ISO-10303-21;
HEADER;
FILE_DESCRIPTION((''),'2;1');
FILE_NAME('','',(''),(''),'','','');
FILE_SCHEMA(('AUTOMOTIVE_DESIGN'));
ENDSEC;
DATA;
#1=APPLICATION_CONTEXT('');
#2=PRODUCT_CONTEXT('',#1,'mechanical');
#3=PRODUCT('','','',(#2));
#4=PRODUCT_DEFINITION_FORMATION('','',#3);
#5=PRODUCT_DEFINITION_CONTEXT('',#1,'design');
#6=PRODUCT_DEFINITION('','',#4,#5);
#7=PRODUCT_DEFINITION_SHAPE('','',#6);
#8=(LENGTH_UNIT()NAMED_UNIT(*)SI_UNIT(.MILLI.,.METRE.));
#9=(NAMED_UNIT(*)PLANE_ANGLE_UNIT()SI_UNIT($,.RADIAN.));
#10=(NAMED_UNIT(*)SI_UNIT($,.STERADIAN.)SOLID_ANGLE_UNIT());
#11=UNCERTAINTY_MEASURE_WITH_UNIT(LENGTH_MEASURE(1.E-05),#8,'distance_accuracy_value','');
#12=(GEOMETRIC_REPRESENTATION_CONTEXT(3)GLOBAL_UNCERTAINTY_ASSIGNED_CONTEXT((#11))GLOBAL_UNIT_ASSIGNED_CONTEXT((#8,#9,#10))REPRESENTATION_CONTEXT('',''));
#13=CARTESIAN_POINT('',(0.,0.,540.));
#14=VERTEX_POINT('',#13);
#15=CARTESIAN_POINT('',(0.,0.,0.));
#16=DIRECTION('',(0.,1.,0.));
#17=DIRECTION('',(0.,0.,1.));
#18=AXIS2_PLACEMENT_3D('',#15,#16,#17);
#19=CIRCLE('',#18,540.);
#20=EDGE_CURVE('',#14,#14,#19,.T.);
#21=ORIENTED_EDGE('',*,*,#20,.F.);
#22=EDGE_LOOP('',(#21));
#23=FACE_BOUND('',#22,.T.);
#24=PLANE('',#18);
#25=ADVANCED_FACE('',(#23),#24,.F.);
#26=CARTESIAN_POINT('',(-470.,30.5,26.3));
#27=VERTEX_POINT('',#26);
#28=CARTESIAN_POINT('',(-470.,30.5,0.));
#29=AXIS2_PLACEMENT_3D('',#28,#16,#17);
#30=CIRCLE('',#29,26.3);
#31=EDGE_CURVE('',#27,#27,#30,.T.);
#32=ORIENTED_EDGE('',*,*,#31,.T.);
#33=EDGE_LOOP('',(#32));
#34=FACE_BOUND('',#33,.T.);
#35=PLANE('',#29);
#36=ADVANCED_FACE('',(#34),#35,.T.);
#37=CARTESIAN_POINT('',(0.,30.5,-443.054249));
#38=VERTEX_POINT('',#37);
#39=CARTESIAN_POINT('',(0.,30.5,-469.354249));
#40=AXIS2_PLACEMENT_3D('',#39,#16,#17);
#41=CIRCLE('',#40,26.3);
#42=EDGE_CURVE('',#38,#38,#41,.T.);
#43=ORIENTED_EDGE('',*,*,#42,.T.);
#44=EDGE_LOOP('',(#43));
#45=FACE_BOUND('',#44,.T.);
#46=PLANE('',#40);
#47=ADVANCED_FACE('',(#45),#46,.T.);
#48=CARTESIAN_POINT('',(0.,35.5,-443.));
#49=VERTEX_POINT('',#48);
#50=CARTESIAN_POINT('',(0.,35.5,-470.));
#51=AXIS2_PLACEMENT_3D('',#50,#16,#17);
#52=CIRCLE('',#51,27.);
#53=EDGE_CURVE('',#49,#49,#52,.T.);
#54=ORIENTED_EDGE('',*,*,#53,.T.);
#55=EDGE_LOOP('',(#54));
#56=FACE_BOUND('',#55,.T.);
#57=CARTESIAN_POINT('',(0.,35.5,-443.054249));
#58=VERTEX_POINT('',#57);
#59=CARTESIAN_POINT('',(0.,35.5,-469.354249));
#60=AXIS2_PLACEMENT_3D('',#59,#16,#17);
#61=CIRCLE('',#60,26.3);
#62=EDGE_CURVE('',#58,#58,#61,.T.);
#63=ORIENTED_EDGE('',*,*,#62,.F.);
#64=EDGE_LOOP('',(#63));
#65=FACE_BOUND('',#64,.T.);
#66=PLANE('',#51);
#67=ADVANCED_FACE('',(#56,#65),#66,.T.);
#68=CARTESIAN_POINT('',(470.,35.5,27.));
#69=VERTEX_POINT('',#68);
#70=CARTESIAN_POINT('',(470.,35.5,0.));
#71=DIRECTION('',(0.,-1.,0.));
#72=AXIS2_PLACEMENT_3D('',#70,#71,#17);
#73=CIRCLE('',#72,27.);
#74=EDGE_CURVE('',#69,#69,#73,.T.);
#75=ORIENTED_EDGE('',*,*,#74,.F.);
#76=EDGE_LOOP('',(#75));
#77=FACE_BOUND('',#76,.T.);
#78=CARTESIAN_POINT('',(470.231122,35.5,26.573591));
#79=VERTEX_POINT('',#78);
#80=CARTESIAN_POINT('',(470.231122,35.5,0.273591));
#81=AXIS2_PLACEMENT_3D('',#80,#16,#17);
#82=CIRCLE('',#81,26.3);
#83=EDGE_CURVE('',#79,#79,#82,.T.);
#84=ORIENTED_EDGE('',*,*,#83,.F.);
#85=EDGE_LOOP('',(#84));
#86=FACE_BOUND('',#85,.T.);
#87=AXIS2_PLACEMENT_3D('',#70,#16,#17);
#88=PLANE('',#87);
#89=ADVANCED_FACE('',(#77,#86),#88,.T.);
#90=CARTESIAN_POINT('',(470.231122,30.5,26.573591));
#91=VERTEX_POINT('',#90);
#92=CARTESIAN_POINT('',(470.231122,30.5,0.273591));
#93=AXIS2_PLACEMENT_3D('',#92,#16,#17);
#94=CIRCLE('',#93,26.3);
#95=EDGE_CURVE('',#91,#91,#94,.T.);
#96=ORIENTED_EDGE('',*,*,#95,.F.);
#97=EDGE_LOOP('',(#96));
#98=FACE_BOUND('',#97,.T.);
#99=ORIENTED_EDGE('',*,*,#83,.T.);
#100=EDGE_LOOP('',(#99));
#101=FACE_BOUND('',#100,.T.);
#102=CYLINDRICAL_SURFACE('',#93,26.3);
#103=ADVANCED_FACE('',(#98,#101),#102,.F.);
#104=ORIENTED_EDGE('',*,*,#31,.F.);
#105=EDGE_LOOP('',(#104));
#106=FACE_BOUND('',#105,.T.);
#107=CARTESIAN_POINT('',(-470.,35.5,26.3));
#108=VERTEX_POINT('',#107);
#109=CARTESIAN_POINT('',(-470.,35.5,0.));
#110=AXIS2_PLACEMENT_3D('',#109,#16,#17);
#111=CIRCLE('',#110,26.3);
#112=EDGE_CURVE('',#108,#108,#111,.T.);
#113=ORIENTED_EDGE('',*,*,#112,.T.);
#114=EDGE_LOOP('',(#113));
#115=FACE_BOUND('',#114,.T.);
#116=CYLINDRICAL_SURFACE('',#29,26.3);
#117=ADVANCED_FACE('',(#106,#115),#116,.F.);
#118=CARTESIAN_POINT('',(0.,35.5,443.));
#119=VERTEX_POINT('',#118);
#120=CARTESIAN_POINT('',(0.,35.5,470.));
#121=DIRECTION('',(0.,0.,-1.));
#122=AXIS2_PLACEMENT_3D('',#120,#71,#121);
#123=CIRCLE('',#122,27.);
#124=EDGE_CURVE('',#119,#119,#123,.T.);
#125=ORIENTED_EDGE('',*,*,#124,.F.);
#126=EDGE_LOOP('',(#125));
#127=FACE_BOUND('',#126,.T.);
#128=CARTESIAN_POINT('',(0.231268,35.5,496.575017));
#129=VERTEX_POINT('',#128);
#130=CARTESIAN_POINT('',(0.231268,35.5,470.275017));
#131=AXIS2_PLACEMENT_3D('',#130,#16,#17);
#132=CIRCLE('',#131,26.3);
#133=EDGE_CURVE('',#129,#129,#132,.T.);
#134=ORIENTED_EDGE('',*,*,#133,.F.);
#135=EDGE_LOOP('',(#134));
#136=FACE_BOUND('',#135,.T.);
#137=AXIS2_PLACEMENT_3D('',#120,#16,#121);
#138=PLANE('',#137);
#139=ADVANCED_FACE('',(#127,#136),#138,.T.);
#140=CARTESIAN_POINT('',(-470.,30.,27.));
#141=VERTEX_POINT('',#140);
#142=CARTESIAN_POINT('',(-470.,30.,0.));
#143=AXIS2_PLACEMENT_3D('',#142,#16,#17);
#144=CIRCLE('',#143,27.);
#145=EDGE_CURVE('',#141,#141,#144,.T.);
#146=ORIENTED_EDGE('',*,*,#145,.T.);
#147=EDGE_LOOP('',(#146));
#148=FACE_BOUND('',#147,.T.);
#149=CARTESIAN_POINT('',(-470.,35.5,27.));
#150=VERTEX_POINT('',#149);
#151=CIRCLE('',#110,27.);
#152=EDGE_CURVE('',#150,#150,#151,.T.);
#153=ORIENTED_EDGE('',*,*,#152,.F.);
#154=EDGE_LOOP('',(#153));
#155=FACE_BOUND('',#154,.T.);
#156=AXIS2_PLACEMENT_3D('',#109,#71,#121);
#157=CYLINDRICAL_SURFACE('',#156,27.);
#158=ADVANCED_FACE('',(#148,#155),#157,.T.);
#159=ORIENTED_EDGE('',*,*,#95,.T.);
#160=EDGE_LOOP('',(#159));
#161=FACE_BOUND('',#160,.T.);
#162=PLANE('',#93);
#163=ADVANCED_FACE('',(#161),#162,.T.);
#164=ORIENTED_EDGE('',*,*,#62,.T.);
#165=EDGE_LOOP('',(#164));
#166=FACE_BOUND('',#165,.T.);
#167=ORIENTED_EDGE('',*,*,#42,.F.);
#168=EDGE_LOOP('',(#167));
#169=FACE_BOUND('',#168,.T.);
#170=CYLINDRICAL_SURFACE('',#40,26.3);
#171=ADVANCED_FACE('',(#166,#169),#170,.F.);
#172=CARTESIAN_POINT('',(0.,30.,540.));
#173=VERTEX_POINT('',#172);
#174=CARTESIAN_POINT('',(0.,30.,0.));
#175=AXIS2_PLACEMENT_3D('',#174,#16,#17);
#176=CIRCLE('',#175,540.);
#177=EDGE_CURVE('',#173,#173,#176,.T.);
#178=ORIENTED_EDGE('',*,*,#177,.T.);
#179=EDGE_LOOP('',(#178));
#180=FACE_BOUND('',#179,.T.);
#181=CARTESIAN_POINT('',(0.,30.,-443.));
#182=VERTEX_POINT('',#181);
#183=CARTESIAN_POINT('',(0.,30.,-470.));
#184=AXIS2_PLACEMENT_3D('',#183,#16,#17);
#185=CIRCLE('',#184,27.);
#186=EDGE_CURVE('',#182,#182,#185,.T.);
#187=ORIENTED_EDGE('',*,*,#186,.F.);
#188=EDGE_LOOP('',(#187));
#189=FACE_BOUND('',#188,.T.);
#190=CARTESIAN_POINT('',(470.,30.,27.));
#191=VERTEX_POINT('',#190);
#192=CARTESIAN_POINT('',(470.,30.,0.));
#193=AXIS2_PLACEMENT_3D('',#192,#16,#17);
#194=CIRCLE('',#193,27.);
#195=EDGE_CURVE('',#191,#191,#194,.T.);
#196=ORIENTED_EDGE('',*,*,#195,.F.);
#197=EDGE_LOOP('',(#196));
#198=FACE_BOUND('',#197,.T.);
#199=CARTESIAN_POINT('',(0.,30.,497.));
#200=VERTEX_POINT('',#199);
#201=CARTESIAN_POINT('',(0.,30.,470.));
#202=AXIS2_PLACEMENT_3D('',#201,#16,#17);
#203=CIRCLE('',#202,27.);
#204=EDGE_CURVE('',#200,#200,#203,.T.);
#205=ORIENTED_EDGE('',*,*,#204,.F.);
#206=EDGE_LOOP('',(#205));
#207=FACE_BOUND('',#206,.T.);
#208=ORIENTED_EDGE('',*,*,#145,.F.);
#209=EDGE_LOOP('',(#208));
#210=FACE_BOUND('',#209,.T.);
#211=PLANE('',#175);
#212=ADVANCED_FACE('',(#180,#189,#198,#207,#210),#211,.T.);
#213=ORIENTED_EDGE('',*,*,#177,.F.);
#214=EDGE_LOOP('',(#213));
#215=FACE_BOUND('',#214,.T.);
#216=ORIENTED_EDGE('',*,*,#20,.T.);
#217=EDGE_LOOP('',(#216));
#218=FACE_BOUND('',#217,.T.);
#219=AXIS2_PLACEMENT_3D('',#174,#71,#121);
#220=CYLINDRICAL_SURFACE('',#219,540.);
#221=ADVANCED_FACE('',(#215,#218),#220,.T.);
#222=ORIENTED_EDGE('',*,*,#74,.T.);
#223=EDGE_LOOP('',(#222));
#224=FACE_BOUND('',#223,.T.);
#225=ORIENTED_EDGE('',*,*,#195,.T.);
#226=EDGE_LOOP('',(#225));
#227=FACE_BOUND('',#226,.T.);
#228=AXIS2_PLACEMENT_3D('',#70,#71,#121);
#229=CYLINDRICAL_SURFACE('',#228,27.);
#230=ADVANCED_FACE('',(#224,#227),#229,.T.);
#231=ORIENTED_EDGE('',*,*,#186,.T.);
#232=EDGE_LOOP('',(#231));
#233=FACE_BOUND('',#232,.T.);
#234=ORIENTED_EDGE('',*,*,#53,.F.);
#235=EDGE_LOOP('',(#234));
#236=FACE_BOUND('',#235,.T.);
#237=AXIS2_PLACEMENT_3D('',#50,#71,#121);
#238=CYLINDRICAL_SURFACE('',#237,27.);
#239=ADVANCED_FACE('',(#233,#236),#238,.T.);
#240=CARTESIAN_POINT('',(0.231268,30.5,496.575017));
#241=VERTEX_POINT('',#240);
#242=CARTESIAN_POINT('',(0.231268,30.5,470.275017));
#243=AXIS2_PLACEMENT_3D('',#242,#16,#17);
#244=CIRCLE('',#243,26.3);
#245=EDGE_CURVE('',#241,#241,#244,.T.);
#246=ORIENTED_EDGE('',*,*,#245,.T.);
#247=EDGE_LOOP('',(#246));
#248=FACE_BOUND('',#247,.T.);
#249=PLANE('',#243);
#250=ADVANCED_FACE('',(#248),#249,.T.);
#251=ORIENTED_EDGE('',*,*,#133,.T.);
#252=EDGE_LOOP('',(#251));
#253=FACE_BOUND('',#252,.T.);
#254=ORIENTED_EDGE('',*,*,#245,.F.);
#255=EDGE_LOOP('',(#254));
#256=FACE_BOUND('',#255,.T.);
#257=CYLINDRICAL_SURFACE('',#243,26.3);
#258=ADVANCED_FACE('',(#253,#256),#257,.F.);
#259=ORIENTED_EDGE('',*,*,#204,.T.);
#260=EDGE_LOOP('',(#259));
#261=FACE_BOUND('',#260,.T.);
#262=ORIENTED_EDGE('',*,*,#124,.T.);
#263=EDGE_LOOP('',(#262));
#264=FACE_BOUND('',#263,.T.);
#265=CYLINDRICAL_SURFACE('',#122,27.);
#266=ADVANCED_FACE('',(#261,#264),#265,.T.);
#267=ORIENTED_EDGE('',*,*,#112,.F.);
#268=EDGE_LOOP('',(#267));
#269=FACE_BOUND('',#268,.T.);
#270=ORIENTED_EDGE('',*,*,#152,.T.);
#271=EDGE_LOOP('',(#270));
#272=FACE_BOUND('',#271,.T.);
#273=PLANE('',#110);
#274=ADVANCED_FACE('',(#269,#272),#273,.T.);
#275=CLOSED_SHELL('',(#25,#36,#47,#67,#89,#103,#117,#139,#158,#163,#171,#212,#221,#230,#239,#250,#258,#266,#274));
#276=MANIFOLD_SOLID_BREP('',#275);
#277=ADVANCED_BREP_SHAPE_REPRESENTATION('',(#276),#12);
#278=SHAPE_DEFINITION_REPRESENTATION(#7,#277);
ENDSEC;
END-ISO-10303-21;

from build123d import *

# Parameters (mm, degrees)
SKETCH1_R           = 540
BOSS_EXTRUDE1_DEPTH = 30
SKETCH7_R           = 27
BOSS_EXTRUDE2_DEPTH = 5.5
SKETCH10_R          = 26.3
CUT_EXTRUDE1_DEPTH  = 5
SKETCH11_R          = 27
BOSS_EXTRUDE3_DEPTH = 5.5
SKETCH12_R          = 26.3
CUT_EXTRUDE2_DEPTH  = 5
SKETCH13_R          = 26.3
CUT_EXTRUDE3_DEPTH  = 5
SKETCH14_R          = 26.3
CUT_EXTRUDE4_DEPTH  = 5


with BuildPart() as part:
    # Sketch1 → Boss-Extrude1 (new body)
    with BuildSketch(Plane(origin=(0, 0, 0), x_dir=(1, 0, 0), z_dir=(0, 1, 0))):
        with Locations(Location((0, 0, 0), (0, 0, 270))):
            Circle(SKETCH1_R)
    extrude(amount=BOSS_EXTRUDE1_DEPTH)

    # Sketch7 → Boss-Extrude2 (add)
    with BuildSketch(Plane(origin=(0, 30, 0), x_dir=(1, 0, 0), z_dir=(0, 1, 0))):
        with Locations(Location((-470, 0, 0), (0, 0, 270))):
            Circle(SKETCH7_R)
    boss_extrude2 = extrude(amount=BOSS_EXTRUDE2_DEPTH)

    # Sketch10 → Cut-Extrude1 (cut)
    with BuildSketch(Plane(origin=(0, 35.5, 0), x_dir=(1, 0, 0), z_dir=(0, 1, 0))):
        with Locations(Location((-470, 0, 0), (0, 0, 270))):
            Circle(SKETCH10_R)
    extrude(amount=-CUT_EXTRUDE1_DEPTH, mode=Mode.SUBTRACT)

    # Mirror1: Boss-Extrude2 across plane
    add(boss_extrude2.mirror(Plane(origin=(0, 0, 0), x_dir=(0, 0, 1), z_dir=(1, 0, 0))))

    # Sketch11 → Boss-Extrude3 (add)
    with BuildSketch(Plane(origin=(0, 30, 0), x_dir=(1, 0, 0), z_dir=(0, 1, 0))):
        with Locations(Location((0, 470, 0), (0, 0, 270))):
            Circle(SKETCH11_R)
    boss_extrude3 = extrude(amount=BOSS_EXTRUDE3_DEPTH)

    # Sketch12 → Cut-Extrude2 (cut)
    with BuildSketch(Plane(origin=(0, 35.5, 0), x_dir=(1, 0, 0), z_dir=(0, 1, 0))):
        with Locations(Location((0, 469.354248554, 0), (0, 0, 270))):
            Circle(SKETCH12_R)
    extrude(amount=-CUT_EXTRUDE2_DEPTH, mode=Mode.SUBTRACT)

    # Mirror2: Boss-Extrude3 across plane
    add(boss_extrude3.mirror(Plane.XY))

    # Sketch13 → Cut-Extrude3 (cut)
    with BuildSketch(Plane(origin=(0, 35.5, 0), x_dir=(1, 0, 0), z_dir=(0, 1, 0))):
        with Locations(Location((0.231268316, -470.275017284, 0), (0, 0, 270))):
            Circle(SKETCH13_R)
    extrude(amount=-CUT_EXTRUDE3_DEPTH, mode=Mode.SUBTRACT)

    # Sketch14 → Cut-Extrude4 (cut)
    with BuildSketch(Plane(origin=(0, 35.5, 0), x_dir=(1, 0, 0), z_dir=(0, 1, 0))):
        with Locations(Location((470.23112187, -0.273591473, 0), (0, 0, 270))):
            Circle(SKETCH14_R)
    extrude(amount=-CUT_EXTRUDE4_DEPTH, mode=Mode.SUBTRACT)


solid = part.part
